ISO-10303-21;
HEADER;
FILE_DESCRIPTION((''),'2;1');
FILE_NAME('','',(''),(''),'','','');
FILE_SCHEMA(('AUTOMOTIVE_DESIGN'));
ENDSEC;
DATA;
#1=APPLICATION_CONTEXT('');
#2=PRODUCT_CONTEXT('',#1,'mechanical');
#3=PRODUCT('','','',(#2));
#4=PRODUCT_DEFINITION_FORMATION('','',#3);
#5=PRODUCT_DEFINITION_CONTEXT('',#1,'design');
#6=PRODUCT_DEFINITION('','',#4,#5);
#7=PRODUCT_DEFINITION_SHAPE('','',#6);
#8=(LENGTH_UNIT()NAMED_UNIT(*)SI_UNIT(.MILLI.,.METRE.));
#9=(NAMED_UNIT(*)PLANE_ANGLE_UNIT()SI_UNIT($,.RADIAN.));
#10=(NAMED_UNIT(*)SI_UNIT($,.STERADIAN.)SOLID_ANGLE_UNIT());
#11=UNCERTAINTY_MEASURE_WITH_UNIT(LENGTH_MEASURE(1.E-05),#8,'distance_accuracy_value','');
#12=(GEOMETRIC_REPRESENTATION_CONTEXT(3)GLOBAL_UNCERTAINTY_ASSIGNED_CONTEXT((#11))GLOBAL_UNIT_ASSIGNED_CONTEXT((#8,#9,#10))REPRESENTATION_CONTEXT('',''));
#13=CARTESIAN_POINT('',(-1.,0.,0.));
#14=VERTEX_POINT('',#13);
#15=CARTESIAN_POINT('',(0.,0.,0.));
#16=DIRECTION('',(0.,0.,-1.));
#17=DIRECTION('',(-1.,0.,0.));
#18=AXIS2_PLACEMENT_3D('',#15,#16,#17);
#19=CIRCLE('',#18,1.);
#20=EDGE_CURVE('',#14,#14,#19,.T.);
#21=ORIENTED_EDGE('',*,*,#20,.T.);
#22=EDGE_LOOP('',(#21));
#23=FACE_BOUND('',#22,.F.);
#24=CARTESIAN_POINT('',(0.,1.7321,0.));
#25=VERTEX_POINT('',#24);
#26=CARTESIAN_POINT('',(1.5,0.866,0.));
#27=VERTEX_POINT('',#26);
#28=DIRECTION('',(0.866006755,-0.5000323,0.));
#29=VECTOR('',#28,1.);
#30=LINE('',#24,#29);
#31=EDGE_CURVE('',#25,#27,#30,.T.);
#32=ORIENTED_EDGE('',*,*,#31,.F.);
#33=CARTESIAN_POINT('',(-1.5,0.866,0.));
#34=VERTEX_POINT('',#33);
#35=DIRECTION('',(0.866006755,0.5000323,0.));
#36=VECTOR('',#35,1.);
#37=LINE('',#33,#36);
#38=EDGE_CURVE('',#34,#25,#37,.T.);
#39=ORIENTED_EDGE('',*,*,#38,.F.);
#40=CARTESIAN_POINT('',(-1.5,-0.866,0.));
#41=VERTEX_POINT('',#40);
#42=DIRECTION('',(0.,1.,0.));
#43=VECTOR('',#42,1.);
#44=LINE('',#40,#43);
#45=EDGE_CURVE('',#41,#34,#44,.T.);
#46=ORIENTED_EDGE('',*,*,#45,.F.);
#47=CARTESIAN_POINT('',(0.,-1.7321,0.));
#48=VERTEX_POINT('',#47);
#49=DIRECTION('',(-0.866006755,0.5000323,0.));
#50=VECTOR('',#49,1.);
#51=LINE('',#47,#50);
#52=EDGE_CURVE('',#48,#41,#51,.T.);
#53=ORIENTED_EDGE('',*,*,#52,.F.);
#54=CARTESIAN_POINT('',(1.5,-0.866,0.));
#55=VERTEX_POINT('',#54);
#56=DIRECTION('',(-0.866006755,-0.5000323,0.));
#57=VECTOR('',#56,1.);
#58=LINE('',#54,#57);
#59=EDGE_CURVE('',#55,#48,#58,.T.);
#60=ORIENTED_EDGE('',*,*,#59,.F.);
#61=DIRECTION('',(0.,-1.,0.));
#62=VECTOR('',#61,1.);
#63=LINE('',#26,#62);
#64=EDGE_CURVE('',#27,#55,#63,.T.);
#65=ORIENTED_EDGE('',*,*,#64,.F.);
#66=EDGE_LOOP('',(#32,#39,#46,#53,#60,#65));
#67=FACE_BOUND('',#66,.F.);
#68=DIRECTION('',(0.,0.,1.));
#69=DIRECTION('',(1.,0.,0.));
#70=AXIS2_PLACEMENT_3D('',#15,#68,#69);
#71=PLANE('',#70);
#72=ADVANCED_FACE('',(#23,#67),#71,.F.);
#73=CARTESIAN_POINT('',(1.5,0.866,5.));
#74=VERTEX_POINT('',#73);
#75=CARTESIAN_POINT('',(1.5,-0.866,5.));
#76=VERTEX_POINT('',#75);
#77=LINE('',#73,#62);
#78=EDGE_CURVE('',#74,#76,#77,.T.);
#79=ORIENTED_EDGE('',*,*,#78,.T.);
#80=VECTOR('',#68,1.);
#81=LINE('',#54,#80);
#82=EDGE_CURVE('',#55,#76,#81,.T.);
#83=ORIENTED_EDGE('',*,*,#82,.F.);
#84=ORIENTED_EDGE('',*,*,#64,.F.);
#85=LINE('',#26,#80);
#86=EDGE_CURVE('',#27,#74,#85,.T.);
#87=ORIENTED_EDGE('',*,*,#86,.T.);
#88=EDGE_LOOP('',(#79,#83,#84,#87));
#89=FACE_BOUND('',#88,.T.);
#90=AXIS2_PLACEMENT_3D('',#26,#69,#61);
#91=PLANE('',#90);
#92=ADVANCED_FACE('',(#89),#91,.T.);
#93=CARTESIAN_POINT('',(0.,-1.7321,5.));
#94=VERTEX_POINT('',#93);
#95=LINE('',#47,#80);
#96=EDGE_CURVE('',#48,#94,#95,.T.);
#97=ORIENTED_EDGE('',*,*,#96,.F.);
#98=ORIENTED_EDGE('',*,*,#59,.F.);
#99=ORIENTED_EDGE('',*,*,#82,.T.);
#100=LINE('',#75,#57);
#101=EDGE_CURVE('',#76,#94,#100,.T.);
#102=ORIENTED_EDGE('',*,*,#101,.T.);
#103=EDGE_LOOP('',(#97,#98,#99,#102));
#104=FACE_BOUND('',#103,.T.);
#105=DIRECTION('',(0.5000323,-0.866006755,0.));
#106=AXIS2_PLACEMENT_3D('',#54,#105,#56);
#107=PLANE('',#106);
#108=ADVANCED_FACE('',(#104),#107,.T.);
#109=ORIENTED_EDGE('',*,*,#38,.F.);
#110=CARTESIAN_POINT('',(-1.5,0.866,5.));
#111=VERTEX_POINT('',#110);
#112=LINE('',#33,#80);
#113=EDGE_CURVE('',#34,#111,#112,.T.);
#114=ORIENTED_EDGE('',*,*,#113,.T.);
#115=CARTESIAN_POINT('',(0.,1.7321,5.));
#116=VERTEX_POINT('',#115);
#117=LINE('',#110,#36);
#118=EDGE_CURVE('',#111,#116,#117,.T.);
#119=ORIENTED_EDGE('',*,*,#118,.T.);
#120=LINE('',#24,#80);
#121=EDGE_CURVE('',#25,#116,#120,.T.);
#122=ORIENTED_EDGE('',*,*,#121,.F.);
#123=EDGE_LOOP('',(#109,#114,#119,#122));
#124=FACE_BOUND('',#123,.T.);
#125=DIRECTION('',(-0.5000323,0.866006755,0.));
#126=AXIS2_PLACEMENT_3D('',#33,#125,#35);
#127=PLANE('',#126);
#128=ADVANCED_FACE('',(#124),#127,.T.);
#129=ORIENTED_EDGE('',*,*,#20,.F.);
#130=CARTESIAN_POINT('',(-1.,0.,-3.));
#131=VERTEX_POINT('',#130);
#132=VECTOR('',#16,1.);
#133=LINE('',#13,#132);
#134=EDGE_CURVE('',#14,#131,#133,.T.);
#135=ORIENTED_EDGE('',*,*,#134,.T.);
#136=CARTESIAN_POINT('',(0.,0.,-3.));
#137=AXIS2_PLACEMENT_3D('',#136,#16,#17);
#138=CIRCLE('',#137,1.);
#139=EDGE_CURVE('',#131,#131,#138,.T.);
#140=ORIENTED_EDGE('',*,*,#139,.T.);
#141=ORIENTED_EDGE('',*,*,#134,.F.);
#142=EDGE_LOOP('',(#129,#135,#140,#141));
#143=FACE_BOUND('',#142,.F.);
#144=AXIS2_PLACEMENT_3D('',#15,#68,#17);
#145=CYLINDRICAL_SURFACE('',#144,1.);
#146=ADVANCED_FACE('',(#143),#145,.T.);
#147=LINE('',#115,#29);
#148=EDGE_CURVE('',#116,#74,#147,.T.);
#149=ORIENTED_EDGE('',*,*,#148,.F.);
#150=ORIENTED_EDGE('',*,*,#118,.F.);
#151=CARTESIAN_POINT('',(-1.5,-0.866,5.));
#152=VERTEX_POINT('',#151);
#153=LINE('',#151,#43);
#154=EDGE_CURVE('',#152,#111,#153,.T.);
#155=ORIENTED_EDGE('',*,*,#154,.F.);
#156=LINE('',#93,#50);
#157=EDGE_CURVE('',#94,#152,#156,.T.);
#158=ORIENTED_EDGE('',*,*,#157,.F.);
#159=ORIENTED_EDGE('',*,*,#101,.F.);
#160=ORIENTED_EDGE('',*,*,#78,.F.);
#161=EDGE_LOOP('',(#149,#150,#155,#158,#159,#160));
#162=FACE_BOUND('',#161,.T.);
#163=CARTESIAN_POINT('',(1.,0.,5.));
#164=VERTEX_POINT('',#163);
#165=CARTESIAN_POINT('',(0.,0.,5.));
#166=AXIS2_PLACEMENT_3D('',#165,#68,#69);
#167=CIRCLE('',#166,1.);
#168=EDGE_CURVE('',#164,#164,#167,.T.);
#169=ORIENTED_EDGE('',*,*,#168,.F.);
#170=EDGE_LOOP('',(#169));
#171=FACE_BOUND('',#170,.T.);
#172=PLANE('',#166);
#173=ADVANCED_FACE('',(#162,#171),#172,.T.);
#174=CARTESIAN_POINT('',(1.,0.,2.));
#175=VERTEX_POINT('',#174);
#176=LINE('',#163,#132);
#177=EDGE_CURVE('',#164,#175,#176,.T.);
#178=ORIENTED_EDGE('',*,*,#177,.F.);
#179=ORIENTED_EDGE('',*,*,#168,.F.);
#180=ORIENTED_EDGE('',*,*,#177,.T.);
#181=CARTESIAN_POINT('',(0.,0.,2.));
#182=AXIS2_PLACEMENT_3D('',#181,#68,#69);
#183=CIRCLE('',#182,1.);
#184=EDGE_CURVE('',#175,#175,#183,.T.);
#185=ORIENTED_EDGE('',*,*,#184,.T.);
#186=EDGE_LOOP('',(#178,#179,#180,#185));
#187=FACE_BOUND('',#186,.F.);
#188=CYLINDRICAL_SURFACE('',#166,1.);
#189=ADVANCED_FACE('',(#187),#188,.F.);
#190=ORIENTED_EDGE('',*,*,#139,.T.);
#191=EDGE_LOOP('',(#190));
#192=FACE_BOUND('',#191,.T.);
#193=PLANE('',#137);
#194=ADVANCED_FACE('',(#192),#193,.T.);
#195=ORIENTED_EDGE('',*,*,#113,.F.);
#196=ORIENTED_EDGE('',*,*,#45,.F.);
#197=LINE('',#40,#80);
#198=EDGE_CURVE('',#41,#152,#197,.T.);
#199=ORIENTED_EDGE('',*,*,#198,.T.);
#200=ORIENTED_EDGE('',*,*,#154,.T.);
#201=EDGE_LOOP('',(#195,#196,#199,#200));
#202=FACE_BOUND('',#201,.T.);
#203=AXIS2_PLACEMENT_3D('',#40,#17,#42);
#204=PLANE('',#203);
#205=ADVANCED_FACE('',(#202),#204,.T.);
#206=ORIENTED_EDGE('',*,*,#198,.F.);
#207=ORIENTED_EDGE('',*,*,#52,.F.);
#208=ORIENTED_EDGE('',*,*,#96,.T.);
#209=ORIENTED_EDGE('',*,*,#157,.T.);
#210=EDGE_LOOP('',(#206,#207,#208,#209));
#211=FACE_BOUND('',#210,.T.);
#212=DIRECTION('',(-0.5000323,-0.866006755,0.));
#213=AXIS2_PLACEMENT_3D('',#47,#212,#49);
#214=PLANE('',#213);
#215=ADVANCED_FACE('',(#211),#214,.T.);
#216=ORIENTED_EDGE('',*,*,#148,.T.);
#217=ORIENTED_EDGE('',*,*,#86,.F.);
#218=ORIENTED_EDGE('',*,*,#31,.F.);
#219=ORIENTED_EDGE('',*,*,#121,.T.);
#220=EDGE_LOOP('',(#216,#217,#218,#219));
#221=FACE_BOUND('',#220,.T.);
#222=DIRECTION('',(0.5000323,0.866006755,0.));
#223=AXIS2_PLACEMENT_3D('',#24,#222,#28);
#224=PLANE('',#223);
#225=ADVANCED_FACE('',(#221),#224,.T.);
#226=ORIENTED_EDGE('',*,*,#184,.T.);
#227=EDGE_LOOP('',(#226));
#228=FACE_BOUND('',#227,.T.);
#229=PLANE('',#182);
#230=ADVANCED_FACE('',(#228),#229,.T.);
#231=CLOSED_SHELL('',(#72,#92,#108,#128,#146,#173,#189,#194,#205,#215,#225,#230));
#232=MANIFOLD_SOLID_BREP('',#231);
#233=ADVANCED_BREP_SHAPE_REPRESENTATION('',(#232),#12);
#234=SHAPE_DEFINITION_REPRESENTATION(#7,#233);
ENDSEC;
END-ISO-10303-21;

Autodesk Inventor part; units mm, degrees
ref_plane "YZ Plane" through (0, 0, 0) normal (1, 0, 0) x (0, 1, 0)
ref_plane "XZ Plane" through (0, 0, 0) normal (0, 1, 0) x (-1, 0, 0)
ref_plane "XY Plane" through (0, 0, 0) normal (0, 0, 1) x (1, 0, 0)
sketch "Sketch1" plane through (0, 0, 0) normal (0, 0, 1) x (1, 0, 0)
  line L0 (0, 1.7321) -> (1.5, 0.866)
  line L1 (1.5, 0.866) -> (1.5, -0.866)
  line L2 (1.5, -0.866) -> (0, -1.7321)
  line L3 (0, -1.7321) -> (-1.5, -0.866)
  line L4 (-1.5, -0.866) -> (-1.5, 0.866)
  line L5 (-1.5, 0.866) -> (0, 1.7321)
  point P0 (0, 0)
  point P1 (0, 0)
  dimension "d0" = 3
extrude "Extrusion1" add sketch "Sketch1" along normal blind 5
sketch "Sketch2" plane through (0, 0, 5) normal (0, 0, 1) x (1, 0, 0)
  circle A0 centre (0, 0) radius 1
  dimension "d3" = 2
extrude "Extrusion2" cut sketch "Sketch2" against normal blind 3
sketch "Sketch3" plane through (0, 0, 0) normal (0, 0, -1) x (-1, 0, 0)
  circle A0 centre (0, 0) radius 1
extrude "Extrusion3" add sketch "Sketch3" along normal blind 3
thread "Thread1" size "M2x0.4" class "6g" standard "ANSI Metric M Profile" length 12.7
thread "Thread2" size "M2x0.4" class "6H" standard "ANSI Metric M Profile" length 12.7
properties part number "M2_5mm_standoff"
